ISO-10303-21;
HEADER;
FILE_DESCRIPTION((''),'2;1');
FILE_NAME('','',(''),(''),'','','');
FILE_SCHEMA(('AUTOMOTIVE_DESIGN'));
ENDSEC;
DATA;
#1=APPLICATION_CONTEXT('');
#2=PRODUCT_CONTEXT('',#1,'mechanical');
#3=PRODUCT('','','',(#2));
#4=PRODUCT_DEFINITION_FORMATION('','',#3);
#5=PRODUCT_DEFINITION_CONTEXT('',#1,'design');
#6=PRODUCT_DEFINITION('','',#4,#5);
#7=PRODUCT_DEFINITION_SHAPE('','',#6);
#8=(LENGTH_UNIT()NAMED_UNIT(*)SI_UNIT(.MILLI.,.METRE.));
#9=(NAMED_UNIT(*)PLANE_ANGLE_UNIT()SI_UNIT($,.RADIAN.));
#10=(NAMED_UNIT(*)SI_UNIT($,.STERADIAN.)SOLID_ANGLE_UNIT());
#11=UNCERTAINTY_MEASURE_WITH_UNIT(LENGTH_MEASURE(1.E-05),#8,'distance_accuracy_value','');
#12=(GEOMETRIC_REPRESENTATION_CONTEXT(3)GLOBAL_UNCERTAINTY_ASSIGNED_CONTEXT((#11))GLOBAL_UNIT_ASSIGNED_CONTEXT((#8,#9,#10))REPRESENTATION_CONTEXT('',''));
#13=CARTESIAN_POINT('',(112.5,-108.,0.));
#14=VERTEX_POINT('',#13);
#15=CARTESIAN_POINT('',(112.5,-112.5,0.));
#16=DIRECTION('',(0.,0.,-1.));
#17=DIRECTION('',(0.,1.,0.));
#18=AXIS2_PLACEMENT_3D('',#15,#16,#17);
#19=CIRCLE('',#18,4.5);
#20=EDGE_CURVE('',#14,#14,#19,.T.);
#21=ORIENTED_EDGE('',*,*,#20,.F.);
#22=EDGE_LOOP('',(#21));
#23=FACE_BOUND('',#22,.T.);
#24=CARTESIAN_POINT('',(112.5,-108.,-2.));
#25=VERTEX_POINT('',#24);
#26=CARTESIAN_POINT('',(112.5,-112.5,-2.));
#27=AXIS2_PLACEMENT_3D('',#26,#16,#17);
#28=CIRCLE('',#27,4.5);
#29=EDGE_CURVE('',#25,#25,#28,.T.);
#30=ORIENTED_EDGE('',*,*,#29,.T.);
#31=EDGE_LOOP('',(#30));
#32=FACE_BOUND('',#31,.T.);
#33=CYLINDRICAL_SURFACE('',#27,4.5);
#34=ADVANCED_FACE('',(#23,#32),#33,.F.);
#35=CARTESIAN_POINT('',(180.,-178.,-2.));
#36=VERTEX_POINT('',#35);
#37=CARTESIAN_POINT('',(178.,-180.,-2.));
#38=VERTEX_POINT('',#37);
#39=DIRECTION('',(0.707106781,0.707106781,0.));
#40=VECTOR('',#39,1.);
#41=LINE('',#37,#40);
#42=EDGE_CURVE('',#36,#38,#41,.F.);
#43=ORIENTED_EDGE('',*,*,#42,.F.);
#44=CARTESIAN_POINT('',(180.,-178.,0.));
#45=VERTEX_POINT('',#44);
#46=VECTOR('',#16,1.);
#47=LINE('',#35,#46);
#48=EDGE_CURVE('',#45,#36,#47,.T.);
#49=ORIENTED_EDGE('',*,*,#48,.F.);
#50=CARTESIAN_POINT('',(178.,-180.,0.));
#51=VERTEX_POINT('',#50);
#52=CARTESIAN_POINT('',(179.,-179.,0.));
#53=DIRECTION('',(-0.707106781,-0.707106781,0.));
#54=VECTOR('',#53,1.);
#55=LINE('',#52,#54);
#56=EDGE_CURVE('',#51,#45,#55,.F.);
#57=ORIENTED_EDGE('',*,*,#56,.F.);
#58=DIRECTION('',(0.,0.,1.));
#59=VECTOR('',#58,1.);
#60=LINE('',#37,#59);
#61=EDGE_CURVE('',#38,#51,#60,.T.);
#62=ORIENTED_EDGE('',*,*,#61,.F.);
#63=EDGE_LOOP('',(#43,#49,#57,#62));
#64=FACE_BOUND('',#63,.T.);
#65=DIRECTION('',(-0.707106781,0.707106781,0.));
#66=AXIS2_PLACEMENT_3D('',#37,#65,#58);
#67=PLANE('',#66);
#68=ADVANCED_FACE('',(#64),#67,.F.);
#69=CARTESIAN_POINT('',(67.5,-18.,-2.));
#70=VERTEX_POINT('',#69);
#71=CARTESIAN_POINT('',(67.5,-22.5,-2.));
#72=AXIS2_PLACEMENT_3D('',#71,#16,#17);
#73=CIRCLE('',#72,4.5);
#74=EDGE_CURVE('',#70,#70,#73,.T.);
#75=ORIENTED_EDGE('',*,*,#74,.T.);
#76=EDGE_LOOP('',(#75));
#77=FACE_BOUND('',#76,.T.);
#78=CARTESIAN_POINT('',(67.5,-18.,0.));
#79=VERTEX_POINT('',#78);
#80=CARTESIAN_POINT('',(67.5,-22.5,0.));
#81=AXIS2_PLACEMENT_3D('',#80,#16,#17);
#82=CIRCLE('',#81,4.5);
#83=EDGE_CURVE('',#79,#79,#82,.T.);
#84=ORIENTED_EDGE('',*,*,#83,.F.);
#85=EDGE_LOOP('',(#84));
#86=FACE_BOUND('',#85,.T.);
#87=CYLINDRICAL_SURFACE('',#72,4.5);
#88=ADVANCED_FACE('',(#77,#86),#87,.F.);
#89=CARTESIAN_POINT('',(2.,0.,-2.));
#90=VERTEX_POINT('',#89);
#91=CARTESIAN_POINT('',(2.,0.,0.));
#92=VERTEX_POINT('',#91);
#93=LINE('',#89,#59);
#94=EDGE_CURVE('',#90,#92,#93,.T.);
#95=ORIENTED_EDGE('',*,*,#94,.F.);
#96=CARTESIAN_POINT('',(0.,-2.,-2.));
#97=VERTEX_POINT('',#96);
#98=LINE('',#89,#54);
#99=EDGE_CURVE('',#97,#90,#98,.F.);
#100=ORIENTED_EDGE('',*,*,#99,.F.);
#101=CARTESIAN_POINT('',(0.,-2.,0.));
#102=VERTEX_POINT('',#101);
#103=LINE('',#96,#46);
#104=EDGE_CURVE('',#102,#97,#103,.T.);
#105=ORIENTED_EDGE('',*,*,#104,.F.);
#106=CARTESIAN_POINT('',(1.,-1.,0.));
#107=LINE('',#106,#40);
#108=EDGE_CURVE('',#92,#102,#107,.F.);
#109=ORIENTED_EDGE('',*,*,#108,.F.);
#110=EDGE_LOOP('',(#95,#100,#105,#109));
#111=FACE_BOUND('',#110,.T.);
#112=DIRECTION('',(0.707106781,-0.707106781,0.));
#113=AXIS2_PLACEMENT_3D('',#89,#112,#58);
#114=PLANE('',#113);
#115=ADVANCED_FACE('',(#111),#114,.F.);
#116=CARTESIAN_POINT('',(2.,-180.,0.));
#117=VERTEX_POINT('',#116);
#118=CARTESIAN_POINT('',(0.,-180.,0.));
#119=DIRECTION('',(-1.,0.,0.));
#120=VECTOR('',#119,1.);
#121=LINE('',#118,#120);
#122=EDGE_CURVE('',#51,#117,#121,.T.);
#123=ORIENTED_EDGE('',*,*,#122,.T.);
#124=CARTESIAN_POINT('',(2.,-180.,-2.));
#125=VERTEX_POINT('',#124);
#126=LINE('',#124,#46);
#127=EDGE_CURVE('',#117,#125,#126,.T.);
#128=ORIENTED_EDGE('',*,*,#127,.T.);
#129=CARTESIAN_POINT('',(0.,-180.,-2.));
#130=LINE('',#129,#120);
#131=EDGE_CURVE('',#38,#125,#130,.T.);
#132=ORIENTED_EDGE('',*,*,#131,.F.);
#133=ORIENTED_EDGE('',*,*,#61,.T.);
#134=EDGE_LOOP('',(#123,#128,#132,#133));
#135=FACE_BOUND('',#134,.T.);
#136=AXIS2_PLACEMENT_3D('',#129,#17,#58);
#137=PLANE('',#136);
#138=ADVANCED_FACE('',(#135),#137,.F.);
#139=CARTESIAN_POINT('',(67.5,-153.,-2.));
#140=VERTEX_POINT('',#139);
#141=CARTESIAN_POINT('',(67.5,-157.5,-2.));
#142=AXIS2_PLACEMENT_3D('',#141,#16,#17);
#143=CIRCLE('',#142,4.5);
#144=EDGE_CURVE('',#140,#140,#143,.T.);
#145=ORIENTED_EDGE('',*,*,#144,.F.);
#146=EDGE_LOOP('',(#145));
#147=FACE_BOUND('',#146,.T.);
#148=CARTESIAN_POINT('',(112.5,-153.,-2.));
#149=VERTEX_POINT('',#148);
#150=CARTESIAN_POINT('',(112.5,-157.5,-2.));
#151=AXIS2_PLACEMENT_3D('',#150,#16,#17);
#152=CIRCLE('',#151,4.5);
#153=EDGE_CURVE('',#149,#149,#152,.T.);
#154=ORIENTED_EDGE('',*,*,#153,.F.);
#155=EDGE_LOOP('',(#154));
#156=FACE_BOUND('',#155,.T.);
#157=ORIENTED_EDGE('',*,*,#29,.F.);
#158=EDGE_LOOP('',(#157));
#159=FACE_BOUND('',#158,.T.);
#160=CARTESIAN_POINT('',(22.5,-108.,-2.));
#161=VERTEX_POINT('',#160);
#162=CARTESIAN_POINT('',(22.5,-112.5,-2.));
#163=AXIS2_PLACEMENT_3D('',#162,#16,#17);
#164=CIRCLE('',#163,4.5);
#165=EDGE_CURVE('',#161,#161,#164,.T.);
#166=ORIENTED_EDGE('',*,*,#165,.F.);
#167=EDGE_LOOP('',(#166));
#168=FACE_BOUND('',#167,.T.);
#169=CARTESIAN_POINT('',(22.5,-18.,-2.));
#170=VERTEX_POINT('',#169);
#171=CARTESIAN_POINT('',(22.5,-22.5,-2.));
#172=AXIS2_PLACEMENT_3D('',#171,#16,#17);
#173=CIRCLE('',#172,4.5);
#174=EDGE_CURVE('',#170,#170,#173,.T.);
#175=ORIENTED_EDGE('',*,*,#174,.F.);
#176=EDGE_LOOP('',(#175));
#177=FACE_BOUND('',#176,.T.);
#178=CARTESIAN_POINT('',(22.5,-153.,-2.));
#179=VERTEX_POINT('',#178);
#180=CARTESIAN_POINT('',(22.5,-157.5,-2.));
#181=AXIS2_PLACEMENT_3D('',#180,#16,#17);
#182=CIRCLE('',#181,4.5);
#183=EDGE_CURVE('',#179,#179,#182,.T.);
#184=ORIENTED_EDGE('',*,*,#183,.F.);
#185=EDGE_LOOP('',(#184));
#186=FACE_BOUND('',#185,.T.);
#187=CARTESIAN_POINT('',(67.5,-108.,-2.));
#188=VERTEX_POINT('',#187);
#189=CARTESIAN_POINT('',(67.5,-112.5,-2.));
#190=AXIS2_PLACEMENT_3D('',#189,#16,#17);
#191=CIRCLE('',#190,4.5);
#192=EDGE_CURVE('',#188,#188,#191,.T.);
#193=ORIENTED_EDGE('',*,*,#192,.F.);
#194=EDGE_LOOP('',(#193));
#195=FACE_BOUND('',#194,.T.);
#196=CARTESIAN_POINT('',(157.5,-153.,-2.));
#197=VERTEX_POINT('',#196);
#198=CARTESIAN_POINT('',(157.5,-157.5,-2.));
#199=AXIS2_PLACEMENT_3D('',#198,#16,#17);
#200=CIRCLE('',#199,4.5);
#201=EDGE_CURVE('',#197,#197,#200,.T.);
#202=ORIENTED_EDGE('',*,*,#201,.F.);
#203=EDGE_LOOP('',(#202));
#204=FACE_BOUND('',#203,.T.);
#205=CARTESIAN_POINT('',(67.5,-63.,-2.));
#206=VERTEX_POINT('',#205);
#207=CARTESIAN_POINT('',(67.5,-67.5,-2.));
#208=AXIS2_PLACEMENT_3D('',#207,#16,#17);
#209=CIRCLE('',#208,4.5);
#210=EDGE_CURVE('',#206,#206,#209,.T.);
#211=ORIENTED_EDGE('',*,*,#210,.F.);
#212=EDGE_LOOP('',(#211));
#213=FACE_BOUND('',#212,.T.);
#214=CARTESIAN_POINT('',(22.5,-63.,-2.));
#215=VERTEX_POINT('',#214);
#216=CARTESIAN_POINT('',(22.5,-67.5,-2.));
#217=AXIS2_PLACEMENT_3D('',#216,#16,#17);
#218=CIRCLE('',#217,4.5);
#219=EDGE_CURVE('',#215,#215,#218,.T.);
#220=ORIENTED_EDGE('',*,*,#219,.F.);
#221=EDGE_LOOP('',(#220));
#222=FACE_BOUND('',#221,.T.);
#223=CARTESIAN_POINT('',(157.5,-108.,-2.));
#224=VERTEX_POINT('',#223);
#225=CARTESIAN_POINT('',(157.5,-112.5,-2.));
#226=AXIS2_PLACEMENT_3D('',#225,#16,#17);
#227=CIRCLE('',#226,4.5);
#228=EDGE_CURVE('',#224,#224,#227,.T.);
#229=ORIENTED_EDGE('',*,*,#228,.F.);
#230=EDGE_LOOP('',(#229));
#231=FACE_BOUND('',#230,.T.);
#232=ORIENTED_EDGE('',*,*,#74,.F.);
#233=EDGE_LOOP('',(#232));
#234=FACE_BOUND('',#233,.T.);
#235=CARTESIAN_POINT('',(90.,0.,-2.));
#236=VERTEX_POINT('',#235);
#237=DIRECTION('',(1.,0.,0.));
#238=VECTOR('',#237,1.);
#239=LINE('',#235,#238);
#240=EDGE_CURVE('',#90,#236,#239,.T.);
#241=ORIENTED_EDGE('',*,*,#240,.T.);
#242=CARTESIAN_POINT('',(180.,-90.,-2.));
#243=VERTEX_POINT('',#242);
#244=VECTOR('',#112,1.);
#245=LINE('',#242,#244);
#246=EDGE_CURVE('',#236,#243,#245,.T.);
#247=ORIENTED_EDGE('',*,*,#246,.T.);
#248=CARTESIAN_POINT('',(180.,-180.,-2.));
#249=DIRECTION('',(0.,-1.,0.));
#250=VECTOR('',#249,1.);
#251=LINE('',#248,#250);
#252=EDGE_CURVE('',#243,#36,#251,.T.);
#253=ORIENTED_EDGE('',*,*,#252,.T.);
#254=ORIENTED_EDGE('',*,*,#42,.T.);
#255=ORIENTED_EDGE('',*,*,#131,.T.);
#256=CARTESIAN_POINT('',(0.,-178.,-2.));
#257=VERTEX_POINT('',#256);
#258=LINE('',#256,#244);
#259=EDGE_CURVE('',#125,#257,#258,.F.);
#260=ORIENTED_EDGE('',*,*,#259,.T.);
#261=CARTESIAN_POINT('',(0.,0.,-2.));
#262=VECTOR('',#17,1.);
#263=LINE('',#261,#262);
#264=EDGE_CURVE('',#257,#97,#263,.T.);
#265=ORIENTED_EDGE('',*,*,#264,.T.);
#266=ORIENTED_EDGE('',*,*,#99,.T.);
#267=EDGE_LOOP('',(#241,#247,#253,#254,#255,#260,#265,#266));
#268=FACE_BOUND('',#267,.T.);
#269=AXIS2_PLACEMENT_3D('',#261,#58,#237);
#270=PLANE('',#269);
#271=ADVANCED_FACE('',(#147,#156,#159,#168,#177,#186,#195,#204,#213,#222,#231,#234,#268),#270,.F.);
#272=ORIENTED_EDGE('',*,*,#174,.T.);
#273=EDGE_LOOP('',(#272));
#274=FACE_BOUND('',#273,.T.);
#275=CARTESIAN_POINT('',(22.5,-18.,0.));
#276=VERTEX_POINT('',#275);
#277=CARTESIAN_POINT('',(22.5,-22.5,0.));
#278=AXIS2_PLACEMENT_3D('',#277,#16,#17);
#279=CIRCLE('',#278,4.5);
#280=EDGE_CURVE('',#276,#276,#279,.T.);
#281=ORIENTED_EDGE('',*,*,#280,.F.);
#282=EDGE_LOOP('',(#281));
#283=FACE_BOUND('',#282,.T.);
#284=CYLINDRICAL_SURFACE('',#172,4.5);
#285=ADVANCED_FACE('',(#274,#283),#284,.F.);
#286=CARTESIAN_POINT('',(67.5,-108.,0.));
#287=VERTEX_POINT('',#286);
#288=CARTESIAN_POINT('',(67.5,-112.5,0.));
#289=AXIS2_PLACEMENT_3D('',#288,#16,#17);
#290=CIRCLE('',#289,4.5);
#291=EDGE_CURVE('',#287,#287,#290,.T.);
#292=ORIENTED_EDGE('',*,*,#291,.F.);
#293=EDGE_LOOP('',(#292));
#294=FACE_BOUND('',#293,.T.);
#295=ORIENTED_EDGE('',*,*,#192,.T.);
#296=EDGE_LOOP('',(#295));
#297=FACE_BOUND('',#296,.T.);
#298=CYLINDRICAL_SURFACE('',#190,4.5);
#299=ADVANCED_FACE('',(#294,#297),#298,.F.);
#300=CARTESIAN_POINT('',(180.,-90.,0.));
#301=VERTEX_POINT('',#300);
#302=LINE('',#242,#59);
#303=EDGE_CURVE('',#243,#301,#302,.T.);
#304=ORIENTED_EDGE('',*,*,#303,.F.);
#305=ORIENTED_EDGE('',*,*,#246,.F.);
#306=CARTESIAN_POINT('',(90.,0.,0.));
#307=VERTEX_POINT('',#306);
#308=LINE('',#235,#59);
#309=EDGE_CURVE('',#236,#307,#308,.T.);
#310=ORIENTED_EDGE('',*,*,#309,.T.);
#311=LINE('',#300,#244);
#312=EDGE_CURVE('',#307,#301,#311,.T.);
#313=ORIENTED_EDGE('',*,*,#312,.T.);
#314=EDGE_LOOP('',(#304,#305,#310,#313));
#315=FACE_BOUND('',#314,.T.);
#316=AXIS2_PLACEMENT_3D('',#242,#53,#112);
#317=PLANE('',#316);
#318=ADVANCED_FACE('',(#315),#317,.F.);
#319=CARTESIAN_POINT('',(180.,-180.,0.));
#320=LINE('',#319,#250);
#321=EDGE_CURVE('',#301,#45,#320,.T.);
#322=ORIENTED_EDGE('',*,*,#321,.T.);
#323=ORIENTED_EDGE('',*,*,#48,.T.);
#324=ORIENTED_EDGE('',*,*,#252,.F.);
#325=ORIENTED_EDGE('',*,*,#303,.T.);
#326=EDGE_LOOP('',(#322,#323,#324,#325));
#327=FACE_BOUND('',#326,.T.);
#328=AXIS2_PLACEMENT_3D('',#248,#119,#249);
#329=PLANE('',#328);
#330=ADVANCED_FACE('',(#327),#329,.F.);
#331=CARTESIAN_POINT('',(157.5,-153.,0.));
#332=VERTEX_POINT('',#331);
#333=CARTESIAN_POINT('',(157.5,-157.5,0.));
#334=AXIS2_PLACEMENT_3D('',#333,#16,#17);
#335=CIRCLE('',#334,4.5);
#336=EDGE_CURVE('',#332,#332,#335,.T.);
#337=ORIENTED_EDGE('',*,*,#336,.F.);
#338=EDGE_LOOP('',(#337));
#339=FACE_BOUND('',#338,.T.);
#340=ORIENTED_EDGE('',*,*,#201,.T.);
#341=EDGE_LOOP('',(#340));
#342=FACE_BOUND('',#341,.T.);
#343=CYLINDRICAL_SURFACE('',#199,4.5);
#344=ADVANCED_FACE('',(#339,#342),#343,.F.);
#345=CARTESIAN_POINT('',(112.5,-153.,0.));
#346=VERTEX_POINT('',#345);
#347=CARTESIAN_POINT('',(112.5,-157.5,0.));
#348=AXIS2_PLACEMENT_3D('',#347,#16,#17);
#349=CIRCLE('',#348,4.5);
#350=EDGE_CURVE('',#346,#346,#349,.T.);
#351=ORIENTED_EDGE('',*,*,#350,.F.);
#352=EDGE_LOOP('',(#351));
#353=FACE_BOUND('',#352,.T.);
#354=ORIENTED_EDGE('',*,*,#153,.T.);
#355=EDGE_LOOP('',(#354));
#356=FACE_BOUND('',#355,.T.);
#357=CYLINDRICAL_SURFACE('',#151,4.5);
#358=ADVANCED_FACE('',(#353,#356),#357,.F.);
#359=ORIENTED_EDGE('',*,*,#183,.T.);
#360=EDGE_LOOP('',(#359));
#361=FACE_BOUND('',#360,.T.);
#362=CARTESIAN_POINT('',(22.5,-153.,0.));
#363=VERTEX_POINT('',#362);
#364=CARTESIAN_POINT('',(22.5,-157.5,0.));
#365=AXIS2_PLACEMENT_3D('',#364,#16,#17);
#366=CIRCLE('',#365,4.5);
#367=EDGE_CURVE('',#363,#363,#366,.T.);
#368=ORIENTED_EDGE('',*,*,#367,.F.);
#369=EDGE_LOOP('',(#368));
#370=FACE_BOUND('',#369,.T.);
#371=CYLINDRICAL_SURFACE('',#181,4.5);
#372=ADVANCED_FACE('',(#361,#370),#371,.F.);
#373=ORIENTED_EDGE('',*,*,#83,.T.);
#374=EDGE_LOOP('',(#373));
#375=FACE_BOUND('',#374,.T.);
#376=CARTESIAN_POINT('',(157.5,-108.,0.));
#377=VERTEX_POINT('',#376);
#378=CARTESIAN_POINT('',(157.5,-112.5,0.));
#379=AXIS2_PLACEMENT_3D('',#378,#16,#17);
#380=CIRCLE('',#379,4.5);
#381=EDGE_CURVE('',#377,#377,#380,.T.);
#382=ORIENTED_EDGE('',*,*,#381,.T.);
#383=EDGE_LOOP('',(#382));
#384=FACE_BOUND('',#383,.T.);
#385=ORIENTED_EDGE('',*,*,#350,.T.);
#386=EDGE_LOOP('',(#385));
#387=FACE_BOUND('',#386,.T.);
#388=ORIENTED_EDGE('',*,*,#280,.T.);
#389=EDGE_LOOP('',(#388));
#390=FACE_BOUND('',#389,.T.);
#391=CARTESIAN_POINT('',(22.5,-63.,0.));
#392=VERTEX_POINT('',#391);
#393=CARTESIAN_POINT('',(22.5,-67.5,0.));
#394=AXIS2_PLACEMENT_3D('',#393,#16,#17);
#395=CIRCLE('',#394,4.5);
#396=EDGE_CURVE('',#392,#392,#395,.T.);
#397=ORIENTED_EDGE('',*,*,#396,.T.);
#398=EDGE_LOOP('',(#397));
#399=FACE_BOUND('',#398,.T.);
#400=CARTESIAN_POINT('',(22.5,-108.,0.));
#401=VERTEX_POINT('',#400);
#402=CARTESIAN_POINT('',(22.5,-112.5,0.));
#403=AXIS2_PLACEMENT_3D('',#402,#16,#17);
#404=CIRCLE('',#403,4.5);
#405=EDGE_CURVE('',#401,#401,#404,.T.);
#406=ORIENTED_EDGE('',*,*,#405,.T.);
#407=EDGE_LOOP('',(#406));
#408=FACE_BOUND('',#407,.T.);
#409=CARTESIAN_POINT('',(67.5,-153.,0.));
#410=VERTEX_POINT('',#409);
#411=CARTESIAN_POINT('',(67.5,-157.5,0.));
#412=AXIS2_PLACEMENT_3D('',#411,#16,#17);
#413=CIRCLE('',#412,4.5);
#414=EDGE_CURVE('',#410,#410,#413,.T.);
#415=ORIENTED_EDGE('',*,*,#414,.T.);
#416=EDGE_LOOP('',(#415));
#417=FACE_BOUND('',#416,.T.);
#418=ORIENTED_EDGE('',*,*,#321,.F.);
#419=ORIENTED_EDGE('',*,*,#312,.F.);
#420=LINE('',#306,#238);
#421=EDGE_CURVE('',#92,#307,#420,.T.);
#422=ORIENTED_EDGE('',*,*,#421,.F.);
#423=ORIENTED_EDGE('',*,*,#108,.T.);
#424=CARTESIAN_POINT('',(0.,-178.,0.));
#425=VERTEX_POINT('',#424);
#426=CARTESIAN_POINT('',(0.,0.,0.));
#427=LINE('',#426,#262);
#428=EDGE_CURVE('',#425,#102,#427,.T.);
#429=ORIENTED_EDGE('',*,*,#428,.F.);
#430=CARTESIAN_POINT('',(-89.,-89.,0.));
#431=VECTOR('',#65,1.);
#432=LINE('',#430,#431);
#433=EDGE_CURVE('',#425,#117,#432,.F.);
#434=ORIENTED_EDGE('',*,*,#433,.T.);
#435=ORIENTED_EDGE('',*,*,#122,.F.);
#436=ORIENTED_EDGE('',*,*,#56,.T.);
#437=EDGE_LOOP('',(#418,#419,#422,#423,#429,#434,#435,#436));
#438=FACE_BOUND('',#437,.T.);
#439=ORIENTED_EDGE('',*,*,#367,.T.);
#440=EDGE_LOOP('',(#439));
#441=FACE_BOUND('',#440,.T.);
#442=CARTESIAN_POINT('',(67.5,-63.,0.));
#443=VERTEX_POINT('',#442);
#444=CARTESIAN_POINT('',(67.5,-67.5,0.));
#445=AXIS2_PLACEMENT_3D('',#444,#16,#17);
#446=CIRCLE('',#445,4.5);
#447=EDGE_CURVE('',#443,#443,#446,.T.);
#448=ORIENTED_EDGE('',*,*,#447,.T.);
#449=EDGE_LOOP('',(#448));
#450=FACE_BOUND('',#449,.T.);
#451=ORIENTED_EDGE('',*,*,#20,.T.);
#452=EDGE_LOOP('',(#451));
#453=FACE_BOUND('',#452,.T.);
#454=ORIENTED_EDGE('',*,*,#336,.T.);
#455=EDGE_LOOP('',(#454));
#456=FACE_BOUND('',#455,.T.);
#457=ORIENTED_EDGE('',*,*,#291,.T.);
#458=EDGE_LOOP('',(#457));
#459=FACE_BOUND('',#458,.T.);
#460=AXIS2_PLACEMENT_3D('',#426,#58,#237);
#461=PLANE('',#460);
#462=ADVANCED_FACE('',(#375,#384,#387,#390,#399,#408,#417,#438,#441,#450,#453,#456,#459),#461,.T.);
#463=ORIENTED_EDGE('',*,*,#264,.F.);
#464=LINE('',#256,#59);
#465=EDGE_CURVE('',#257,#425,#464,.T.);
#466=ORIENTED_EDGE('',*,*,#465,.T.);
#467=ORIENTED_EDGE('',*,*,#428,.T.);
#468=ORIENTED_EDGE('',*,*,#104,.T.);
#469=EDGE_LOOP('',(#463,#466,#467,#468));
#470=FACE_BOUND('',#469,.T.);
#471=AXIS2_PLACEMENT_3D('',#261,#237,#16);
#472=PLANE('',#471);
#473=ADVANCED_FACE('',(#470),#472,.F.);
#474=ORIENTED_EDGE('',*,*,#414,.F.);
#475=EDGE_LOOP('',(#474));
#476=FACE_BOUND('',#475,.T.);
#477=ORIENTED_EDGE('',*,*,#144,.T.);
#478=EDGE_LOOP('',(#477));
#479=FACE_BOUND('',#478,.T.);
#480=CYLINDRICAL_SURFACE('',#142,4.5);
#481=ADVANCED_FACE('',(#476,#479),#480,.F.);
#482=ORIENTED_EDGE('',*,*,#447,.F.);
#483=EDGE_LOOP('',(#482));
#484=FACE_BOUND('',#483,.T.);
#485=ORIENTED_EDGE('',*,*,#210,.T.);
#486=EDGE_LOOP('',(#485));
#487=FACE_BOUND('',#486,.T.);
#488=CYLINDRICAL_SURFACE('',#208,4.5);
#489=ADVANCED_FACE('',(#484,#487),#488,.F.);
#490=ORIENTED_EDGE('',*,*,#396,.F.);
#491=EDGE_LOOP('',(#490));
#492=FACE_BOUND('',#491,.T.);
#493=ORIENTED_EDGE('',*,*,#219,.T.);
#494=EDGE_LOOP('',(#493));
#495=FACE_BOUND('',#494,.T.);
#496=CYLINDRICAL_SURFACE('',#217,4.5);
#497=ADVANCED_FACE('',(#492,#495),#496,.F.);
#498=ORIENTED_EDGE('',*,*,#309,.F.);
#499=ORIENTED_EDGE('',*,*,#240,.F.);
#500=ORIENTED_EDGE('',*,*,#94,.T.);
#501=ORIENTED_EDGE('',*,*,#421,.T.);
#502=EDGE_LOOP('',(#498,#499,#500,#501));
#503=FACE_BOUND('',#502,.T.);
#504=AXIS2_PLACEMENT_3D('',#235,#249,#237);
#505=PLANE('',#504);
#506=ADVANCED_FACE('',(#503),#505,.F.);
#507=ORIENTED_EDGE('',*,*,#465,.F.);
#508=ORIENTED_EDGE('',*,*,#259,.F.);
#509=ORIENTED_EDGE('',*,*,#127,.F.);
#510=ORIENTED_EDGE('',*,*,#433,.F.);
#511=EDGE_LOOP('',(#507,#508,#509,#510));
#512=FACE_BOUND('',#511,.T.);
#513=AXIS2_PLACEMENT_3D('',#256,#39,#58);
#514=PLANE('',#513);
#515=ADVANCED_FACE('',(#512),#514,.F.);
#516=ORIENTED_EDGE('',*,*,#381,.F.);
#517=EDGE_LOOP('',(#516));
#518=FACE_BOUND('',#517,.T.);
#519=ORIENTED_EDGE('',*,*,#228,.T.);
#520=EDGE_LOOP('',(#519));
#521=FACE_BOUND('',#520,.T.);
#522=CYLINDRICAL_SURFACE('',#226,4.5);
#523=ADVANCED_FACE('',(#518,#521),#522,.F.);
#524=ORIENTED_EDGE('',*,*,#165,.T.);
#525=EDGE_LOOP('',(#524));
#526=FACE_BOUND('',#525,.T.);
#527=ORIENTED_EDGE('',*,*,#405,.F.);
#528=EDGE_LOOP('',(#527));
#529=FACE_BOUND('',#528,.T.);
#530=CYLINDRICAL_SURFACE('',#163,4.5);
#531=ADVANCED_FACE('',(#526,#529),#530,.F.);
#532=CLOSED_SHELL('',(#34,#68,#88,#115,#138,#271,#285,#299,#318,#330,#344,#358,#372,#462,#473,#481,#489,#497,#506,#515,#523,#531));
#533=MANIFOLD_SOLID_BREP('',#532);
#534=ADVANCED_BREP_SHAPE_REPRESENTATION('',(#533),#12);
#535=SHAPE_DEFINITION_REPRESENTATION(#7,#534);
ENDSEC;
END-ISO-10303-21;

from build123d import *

# Parameters (mm, degrees)
EXTRUDE_1_DEPTH   = 2
HOLE_WIZARD_M81_D = 9
CHAMFER_1_SIZE    = 2


with BuildPart() as part:
    # Эскиз1 → Бобышка-Вытянуть1 (new body)
    with BuildSketch(Plane(origin=(0, 0, 0), x_dir=(1, 0, 0), z_dir=(0, 0, -1))):
        Polygon((0, 0), (0, 180), (180, 180), (180, 90), (90, 0), align=None)
    extrude(amount=EXTRUDE_1_DEPTH)

    # Отверстие с зазором M81 (through all)
    with Locations(Plane(origin=(0, 0, -2), x_dir=(1, 0, 0), z_dir=(0, 0, -1))):
        with Locations((22.5, 157.5), (22.5, 112.5), (22.5, 67.5), (22.5, 22.5), (67.5, 157.5), (67.5, 112.5), (67.5, 67.5), (67.5, 22.5), (112.5, 157.5), (112.5, 112.5), (157.5, 157.5), (157.5, 112.5)):
            Hole(HOLE_WIZARD_M81_D / 2)

    # Фаска1
    chamfer_1_edges = [part.edges().sort_by_distance(p)[0] for p in [
        (0, 0, -1),
        (0, -180, -1),
        (180, -180, -1),
    ]]
    chamfer(chamfer_1_edges, length=CHAMFER_1_SIZE)


solid = part.part
